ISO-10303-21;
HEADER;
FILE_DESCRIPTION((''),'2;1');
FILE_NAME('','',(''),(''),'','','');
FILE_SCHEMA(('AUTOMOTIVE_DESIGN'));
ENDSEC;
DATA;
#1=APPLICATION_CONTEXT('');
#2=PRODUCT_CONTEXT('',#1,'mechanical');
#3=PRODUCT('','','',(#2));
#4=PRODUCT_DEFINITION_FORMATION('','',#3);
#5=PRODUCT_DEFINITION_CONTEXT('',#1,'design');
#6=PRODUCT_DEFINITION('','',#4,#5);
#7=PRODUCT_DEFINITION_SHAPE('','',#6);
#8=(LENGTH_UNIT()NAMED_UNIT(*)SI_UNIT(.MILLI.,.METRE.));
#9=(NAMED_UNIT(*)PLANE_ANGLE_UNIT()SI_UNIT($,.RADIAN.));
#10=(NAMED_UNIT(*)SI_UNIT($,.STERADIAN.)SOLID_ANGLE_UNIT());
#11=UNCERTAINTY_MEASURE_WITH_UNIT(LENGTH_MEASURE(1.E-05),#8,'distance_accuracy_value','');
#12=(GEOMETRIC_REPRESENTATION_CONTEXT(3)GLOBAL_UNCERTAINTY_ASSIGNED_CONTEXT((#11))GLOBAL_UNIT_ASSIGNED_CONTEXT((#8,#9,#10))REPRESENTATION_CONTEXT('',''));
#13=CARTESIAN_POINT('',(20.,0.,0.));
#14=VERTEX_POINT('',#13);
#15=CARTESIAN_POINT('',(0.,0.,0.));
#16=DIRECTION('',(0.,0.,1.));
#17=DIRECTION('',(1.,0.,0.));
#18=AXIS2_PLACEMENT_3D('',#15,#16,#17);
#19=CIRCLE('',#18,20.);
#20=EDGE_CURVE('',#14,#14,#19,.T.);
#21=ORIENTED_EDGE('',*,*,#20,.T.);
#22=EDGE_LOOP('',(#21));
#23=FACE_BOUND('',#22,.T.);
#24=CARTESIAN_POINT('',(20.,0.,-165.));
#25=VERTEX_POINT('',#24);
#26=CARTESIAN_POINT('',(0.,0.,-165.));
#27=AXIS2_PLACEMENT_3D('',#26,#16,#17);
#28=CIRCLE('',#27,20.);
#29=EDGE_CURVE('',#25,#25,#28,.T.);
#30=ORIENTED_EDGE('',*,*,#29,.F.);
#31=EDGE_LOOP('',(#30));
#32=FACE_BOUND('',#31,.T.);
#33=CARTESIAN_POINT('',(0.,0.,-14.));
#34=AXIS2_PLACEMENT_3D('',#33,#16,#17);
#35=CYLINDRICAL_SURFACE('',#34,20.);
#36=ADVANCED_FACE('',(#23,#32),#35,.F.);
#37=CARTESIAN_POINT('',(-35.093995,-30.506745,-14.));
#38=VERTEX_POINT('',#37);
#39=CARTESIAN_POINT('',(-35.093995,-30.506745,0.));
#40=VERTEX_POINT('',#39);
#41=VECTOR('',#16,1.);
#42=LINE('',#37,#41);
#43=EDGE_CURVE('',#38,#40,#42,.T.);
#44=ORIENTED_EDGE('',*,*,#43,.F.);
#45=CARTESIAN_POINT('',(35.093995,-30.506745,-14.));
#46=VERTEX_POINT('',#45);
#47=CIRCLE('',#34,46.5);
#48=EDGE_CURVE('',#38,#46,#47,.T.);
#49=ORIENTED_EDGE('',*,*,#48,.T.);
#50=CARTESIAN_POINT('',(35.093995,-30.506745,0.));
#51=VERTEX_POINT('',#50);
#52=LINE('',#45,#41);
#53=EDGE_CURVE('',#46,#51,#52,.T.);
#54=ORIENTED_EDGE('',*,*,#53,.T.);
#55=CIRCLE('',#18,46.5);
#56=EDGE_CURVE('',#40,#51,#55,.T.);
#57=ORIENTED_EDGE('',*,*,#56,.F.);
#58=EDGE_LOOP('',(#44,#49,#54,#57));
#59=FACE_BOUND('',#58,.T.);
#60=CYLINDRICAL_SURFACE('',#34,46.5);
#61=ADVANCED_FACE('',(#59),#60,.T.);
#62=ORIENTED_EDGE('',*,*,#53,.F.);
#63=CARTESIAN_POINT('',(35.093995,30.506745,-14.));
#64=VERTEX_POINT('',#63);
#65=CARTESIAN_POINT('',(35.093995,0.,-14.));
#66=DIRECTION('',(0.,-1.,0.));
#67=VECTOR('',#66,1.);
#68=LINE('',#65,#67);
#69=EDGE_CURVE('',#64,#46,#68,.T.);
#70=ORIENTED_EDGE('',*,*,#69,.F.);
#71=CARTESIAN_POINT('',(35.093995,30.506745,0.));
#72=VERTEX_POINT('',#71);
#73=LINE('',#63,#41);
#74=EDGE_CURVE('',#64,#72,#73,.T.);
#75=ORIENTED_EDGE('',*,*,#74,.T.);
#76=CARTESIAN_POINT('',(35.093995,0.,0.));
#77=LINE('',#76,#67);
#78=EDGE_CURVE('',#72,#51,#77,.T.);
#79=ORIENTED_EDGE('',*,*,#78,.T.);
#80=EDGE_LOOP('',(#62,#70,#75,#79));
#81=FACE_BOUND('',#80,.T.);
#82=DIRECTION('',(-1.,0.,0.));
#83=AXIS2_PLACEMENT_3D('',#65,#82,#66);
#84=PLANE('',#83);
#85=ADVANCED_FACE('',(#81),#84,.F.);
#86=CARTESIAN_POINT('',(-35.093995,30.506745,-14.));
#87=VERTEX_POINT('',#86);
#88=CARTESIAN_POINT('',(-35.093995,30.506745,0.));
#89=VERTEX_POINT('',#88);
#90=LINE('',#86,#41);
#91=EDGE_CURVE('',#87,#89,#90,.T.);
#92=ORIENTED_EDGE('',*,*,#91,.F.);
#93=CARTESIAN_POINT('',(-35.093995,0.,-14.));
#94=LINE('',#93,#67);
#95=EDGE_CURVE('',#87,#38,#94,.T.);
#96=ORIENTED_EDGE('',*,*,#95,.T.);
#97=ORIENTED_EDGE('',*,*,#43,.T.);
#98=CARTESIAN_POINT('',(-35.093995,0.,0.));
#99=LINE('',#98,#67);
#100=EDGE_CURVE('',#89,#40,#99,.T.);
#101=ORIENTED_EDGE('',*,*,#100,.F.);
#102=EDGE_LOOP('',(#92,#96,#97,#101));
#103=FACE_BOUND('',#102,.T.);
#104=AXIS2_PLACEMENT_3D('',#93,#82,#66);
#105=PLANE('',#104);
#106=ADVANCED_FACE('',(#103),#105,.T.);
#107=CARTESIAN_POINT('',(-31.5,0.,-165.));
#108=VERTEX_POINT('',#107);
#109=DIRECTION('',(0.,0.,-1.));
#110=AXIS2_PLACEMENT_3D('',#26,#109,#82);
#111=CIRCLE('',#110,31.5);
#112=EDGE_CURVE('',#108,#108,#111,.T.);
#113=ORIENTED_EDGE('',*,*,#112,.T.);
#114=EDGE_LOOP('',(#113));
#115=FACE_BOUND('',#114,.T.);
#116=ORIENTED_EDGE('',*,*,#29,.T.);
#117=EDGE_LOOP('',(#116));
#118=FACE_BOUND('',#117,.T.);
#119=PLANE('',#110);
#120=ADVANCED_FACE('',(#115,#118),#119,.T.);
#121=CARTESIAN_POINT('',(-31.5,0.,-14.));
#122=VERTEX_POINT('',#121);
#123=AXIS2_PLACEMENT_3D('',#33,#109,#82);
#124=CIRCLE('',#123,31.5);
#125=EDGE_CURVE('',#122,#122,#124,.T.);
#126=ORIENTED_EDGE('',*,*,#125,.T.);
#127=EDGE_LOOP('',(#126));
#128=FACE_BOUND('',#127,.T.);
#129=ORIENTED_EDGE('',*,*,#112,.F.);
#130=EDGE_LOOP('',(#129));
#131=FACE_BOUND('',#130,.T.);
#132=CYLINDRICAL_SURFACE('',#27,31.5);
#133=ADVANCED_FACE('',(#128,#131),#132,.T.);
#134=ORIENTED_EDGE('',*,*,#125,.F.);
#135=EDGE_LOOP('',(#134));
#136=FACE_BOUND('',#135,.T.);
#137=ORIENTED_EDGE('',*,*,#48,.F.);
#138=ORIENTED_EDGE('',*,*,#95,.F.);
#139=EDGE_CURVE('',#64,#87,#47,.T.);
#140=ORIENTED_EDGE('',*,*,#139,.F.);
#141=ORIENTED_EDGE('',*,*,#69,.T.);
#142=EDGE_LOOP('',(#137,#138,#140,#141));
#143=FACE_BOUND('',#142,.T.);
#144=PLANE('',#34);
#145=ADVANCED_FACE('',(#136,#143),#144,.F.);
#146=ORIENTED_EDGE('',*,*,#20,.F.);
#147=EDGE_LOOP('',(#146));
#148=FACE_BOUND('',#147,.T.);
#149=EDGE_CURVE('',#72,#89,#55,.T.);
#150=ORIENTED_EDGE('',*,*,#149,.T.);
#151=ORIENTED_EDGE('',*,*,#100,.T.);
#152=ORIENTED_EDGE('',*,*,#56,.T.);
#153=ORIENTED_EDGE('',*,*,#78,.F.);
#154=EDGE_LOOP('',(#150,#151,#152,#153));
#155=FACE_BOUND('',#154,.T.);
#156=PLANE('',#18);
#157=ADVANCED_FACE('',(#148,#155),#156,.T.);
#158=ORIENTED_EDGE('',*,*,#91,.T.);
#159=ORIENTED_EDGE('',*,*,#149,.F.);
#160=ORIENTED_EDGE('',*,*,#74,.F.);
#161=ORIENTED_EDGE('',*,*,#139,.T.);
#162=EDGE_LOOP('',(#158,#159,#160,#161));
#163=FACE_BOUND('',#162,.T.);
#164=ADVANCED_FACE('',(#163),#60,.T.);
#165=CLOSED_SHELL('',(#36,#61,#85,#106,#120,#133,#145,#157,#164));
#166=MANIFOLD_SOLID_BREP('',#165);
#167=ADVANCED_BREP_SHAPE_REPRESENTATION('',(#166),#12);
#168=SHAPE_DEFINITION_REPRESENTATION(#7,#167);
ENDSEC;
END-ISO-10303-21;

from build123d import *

# Parameters (mm, degrees)
EXTRUDE_1_DEPTH     = 14
SKETCH_2_R          = 31.5
EXTRUDE_2_DEPTH     = 151
CUT_EXTRUDE_1_DEPTH = 175.982394882


with BuildPart() as part:
    # 草图1 → 凸台-拉伸1 (new body)
    with BuildSketch(Plane.XY):
        with BuildLine():
            ThreePointArc((35.09399548, 30.506744848), (0, 46.5), (-35.09399548, 30.506744848))
            Line((-35.09399548, 30.506744848), (-35.09399548, -30.506744848))
            ThreePointArc((-35.09399548, -30.506744848), (0, -46.5), (35.09399548, -30.506744848))
            Line((35.09399548, -30.506744848), (35.09399548, 9.403407748))
            Line((35.09399548, 9.403407748), (35.09399548, 30.506744848))
        make_face()
        with BuildLine():
            ThreePointArc((20, 0), (-19.828897227, -2.610523844), (19.318516526, 5.176380902))
            ThreePointArc((19.318516526, 5.176380902), (19.828897227, 2.610523844), (20, 0))
        make_face(mode=Mode.SUBTRACT)
    extrude(amount=-EXTRUDE_1_DEPTH)

    # 草图2 → 凸台-拉伸2 (add)
    with BuildSketch(Plane(origin=(0, 0, -14), x_dir=(-1, 0, 0), z_dir=(0, 0, -1))):
        Circle(SKETCH_2_R)
    extrude(amount=EXTRUDE_2_DEPTH)

    # 草图1<3> → 切除-拉伸1 (cut, through all)
    with BuildSketch(Plane.XY):
        with BuildLine():
            ThreePointArc((20, 0), (19.828897227, 2.610523844), (19.318516526, 5.176380902))
            ThreePointArc((19.318516526, 5.176380902), (-19.828897227, -2.610523844), (20, 0))
        make_face()
    extrude(amount=-CUT_EXTRUDE_1_DEPTH, mode=Mode.SUBTRACT)


solid = part.part
